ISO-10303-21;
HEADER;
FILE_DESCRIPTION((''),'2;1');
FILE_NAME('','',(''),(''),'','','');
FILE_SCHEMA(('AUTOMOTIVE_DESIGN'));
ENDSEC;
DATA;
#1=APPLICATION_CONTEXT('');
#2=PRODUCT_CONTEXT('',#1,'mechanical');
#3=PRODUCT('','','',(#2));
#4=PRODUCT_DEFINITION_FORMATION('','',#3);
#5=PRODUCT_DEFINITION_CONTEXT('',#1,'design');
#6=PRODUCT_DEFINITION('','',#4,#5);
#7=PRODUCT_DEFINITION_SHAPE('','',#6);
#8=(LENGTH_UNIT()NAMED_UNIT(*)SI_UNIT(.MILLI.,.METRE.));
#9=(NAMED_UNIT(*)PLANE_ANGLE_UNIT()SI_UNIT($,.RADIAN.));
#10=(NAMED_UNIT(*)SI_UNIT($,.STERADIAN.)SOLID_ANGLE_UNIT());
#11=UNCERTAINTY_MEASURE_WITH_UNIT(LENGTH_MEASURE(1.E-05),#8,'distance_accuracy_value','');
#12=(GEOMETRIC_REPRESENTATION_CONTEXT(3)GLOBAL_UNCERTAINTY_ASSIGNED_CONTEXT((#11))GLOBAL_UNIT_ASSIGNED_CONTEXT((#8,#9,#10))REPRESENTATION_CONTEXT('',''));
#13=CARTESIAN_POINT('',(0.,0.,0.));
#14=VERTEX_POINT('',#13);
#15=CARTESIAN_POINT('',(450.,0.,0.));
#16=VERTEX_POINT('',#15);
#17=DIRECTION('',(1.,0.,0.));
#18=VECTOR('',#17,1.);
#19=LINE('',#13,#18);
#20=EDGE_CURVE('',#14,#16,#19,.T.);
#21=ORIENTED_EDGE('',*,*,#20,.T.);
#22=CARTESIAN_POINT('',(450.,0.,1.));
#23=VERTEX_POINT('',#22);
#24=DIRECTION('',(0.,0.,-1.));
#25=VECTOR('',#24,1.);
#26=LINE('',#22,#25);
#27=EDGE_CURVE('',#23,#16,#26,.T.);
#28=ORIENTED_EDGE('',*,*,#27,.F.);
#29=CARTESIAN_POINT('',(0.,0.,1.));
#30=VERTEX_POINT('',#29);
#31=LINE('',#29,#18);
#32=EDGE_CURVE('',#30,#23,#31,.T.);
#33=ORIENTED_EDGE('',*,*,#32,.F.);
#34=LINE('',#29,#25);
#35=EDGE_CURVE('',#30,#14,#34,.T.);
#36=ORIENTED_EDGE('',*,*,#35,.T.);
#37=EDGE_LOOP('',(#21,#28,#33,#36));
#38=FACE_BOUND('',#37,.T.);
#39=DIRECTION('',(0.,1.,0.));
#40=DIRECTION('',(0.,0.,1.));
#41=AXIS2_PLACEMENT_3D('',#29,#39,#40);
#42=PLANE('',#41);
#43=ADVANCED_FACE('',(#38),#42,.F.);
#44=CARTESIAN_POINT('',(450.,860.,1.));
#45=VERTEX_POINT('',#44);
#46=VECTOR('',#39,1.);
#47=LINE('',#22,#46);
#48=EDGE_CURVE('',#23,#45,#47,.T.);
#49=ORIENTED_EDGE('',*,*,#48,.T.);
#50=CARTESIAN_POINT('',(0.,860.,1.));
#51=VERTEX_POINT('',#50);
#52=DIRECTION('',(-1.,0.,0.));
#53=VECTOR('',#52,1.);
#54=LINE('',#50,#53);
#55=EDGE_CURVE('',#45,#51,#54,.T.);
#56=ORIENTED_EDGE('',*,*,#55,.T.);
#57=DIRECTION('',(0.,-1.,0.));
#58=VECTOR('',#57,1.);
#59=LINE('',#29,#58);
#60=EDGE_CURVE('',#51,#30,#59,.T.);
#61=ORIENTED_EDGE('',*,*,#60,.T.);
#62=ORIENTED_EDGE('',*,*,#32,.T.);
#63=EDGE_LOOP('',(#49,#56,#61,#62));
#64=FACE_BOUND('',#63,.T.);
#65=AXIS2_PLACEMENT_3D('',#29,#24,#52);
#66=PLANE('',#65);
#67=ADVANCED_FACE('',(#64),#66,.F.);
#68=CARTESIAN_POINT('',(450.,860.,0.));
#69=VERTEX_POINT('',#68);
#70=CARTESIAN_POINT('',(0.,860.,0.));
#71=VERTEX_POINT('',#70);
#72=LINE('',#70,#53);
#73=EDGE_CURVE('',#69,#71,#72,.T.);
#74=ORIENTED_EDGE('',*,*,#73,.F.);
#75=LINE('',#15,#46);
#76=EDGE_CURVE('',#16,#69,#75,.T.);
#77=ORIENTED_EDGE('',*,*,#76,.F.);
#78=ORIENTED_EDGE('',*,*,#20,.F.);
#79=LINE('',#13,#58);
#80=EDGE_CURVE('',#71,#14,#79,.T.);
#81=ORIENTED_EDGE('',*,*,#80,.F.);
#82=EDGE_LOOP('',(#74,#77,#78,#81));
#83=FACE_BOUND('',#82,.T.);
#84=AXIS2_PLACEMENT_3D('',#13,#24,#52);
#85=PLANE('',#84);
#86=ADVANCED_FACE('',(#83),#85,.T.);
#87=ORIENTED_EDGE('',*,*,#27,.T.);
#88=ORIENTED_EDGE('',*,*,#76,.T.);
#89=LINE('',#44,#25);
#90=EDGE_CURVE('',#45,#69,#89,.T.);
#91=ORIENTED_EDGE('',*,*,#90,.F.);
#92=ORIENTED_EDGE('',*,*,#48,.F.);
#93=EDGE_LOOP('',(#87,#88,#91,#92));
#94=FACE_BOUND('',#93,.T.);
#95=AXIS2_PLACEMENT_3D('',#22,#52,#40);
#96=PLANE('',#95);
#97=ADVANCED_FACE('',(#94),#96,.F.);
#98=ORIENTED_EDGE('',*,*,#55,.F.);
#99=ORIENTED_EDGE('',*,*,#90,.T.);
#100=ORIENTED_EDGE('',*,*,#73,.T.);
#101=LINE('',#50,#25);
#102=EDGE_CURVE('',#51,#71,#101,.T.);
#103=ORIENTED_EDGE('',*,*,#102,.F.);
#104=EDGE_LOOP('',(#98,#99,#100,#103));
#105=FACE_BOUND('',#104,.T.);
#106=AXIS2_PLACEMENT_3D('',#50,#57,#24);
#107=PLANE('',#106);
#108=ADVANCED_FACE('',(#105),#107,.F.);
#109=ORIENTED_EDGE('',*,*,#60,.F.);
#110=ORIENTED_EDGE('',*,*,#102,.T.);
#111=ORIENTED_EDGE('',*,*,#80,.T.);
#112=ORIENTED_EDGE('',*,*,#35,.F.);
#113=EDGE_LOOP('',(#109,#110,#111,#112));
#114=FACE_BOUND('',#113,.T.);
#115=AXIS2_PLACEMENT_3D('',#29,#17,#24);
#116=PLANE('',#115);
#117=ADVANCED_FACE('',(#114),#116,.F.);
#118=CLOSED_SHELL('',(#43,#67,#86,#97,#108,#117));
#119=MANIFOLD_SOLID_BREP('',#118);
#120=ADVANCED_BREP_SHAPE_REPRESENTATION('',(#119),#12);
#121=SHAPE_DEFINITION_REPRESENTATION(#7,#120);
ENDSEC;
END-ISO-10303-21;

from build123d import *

# Parameters (mm, degrees)
SKETCH_2_W      = 450
SKETCH_2_H      = 860
EXTRUDE_1_DEPTH = 1


with BuildPart() as part:
    # 草图2 → 凸台-拉伸1 (new body)
    with BuildSketch(Plane.XY):
        with Locations((225, 430)):
            Rectangle(SKETCH_2_W, SKETCH_2_H)
    extrude(amount=EXTRUDE_1_DEPTH)


solid = part.part
